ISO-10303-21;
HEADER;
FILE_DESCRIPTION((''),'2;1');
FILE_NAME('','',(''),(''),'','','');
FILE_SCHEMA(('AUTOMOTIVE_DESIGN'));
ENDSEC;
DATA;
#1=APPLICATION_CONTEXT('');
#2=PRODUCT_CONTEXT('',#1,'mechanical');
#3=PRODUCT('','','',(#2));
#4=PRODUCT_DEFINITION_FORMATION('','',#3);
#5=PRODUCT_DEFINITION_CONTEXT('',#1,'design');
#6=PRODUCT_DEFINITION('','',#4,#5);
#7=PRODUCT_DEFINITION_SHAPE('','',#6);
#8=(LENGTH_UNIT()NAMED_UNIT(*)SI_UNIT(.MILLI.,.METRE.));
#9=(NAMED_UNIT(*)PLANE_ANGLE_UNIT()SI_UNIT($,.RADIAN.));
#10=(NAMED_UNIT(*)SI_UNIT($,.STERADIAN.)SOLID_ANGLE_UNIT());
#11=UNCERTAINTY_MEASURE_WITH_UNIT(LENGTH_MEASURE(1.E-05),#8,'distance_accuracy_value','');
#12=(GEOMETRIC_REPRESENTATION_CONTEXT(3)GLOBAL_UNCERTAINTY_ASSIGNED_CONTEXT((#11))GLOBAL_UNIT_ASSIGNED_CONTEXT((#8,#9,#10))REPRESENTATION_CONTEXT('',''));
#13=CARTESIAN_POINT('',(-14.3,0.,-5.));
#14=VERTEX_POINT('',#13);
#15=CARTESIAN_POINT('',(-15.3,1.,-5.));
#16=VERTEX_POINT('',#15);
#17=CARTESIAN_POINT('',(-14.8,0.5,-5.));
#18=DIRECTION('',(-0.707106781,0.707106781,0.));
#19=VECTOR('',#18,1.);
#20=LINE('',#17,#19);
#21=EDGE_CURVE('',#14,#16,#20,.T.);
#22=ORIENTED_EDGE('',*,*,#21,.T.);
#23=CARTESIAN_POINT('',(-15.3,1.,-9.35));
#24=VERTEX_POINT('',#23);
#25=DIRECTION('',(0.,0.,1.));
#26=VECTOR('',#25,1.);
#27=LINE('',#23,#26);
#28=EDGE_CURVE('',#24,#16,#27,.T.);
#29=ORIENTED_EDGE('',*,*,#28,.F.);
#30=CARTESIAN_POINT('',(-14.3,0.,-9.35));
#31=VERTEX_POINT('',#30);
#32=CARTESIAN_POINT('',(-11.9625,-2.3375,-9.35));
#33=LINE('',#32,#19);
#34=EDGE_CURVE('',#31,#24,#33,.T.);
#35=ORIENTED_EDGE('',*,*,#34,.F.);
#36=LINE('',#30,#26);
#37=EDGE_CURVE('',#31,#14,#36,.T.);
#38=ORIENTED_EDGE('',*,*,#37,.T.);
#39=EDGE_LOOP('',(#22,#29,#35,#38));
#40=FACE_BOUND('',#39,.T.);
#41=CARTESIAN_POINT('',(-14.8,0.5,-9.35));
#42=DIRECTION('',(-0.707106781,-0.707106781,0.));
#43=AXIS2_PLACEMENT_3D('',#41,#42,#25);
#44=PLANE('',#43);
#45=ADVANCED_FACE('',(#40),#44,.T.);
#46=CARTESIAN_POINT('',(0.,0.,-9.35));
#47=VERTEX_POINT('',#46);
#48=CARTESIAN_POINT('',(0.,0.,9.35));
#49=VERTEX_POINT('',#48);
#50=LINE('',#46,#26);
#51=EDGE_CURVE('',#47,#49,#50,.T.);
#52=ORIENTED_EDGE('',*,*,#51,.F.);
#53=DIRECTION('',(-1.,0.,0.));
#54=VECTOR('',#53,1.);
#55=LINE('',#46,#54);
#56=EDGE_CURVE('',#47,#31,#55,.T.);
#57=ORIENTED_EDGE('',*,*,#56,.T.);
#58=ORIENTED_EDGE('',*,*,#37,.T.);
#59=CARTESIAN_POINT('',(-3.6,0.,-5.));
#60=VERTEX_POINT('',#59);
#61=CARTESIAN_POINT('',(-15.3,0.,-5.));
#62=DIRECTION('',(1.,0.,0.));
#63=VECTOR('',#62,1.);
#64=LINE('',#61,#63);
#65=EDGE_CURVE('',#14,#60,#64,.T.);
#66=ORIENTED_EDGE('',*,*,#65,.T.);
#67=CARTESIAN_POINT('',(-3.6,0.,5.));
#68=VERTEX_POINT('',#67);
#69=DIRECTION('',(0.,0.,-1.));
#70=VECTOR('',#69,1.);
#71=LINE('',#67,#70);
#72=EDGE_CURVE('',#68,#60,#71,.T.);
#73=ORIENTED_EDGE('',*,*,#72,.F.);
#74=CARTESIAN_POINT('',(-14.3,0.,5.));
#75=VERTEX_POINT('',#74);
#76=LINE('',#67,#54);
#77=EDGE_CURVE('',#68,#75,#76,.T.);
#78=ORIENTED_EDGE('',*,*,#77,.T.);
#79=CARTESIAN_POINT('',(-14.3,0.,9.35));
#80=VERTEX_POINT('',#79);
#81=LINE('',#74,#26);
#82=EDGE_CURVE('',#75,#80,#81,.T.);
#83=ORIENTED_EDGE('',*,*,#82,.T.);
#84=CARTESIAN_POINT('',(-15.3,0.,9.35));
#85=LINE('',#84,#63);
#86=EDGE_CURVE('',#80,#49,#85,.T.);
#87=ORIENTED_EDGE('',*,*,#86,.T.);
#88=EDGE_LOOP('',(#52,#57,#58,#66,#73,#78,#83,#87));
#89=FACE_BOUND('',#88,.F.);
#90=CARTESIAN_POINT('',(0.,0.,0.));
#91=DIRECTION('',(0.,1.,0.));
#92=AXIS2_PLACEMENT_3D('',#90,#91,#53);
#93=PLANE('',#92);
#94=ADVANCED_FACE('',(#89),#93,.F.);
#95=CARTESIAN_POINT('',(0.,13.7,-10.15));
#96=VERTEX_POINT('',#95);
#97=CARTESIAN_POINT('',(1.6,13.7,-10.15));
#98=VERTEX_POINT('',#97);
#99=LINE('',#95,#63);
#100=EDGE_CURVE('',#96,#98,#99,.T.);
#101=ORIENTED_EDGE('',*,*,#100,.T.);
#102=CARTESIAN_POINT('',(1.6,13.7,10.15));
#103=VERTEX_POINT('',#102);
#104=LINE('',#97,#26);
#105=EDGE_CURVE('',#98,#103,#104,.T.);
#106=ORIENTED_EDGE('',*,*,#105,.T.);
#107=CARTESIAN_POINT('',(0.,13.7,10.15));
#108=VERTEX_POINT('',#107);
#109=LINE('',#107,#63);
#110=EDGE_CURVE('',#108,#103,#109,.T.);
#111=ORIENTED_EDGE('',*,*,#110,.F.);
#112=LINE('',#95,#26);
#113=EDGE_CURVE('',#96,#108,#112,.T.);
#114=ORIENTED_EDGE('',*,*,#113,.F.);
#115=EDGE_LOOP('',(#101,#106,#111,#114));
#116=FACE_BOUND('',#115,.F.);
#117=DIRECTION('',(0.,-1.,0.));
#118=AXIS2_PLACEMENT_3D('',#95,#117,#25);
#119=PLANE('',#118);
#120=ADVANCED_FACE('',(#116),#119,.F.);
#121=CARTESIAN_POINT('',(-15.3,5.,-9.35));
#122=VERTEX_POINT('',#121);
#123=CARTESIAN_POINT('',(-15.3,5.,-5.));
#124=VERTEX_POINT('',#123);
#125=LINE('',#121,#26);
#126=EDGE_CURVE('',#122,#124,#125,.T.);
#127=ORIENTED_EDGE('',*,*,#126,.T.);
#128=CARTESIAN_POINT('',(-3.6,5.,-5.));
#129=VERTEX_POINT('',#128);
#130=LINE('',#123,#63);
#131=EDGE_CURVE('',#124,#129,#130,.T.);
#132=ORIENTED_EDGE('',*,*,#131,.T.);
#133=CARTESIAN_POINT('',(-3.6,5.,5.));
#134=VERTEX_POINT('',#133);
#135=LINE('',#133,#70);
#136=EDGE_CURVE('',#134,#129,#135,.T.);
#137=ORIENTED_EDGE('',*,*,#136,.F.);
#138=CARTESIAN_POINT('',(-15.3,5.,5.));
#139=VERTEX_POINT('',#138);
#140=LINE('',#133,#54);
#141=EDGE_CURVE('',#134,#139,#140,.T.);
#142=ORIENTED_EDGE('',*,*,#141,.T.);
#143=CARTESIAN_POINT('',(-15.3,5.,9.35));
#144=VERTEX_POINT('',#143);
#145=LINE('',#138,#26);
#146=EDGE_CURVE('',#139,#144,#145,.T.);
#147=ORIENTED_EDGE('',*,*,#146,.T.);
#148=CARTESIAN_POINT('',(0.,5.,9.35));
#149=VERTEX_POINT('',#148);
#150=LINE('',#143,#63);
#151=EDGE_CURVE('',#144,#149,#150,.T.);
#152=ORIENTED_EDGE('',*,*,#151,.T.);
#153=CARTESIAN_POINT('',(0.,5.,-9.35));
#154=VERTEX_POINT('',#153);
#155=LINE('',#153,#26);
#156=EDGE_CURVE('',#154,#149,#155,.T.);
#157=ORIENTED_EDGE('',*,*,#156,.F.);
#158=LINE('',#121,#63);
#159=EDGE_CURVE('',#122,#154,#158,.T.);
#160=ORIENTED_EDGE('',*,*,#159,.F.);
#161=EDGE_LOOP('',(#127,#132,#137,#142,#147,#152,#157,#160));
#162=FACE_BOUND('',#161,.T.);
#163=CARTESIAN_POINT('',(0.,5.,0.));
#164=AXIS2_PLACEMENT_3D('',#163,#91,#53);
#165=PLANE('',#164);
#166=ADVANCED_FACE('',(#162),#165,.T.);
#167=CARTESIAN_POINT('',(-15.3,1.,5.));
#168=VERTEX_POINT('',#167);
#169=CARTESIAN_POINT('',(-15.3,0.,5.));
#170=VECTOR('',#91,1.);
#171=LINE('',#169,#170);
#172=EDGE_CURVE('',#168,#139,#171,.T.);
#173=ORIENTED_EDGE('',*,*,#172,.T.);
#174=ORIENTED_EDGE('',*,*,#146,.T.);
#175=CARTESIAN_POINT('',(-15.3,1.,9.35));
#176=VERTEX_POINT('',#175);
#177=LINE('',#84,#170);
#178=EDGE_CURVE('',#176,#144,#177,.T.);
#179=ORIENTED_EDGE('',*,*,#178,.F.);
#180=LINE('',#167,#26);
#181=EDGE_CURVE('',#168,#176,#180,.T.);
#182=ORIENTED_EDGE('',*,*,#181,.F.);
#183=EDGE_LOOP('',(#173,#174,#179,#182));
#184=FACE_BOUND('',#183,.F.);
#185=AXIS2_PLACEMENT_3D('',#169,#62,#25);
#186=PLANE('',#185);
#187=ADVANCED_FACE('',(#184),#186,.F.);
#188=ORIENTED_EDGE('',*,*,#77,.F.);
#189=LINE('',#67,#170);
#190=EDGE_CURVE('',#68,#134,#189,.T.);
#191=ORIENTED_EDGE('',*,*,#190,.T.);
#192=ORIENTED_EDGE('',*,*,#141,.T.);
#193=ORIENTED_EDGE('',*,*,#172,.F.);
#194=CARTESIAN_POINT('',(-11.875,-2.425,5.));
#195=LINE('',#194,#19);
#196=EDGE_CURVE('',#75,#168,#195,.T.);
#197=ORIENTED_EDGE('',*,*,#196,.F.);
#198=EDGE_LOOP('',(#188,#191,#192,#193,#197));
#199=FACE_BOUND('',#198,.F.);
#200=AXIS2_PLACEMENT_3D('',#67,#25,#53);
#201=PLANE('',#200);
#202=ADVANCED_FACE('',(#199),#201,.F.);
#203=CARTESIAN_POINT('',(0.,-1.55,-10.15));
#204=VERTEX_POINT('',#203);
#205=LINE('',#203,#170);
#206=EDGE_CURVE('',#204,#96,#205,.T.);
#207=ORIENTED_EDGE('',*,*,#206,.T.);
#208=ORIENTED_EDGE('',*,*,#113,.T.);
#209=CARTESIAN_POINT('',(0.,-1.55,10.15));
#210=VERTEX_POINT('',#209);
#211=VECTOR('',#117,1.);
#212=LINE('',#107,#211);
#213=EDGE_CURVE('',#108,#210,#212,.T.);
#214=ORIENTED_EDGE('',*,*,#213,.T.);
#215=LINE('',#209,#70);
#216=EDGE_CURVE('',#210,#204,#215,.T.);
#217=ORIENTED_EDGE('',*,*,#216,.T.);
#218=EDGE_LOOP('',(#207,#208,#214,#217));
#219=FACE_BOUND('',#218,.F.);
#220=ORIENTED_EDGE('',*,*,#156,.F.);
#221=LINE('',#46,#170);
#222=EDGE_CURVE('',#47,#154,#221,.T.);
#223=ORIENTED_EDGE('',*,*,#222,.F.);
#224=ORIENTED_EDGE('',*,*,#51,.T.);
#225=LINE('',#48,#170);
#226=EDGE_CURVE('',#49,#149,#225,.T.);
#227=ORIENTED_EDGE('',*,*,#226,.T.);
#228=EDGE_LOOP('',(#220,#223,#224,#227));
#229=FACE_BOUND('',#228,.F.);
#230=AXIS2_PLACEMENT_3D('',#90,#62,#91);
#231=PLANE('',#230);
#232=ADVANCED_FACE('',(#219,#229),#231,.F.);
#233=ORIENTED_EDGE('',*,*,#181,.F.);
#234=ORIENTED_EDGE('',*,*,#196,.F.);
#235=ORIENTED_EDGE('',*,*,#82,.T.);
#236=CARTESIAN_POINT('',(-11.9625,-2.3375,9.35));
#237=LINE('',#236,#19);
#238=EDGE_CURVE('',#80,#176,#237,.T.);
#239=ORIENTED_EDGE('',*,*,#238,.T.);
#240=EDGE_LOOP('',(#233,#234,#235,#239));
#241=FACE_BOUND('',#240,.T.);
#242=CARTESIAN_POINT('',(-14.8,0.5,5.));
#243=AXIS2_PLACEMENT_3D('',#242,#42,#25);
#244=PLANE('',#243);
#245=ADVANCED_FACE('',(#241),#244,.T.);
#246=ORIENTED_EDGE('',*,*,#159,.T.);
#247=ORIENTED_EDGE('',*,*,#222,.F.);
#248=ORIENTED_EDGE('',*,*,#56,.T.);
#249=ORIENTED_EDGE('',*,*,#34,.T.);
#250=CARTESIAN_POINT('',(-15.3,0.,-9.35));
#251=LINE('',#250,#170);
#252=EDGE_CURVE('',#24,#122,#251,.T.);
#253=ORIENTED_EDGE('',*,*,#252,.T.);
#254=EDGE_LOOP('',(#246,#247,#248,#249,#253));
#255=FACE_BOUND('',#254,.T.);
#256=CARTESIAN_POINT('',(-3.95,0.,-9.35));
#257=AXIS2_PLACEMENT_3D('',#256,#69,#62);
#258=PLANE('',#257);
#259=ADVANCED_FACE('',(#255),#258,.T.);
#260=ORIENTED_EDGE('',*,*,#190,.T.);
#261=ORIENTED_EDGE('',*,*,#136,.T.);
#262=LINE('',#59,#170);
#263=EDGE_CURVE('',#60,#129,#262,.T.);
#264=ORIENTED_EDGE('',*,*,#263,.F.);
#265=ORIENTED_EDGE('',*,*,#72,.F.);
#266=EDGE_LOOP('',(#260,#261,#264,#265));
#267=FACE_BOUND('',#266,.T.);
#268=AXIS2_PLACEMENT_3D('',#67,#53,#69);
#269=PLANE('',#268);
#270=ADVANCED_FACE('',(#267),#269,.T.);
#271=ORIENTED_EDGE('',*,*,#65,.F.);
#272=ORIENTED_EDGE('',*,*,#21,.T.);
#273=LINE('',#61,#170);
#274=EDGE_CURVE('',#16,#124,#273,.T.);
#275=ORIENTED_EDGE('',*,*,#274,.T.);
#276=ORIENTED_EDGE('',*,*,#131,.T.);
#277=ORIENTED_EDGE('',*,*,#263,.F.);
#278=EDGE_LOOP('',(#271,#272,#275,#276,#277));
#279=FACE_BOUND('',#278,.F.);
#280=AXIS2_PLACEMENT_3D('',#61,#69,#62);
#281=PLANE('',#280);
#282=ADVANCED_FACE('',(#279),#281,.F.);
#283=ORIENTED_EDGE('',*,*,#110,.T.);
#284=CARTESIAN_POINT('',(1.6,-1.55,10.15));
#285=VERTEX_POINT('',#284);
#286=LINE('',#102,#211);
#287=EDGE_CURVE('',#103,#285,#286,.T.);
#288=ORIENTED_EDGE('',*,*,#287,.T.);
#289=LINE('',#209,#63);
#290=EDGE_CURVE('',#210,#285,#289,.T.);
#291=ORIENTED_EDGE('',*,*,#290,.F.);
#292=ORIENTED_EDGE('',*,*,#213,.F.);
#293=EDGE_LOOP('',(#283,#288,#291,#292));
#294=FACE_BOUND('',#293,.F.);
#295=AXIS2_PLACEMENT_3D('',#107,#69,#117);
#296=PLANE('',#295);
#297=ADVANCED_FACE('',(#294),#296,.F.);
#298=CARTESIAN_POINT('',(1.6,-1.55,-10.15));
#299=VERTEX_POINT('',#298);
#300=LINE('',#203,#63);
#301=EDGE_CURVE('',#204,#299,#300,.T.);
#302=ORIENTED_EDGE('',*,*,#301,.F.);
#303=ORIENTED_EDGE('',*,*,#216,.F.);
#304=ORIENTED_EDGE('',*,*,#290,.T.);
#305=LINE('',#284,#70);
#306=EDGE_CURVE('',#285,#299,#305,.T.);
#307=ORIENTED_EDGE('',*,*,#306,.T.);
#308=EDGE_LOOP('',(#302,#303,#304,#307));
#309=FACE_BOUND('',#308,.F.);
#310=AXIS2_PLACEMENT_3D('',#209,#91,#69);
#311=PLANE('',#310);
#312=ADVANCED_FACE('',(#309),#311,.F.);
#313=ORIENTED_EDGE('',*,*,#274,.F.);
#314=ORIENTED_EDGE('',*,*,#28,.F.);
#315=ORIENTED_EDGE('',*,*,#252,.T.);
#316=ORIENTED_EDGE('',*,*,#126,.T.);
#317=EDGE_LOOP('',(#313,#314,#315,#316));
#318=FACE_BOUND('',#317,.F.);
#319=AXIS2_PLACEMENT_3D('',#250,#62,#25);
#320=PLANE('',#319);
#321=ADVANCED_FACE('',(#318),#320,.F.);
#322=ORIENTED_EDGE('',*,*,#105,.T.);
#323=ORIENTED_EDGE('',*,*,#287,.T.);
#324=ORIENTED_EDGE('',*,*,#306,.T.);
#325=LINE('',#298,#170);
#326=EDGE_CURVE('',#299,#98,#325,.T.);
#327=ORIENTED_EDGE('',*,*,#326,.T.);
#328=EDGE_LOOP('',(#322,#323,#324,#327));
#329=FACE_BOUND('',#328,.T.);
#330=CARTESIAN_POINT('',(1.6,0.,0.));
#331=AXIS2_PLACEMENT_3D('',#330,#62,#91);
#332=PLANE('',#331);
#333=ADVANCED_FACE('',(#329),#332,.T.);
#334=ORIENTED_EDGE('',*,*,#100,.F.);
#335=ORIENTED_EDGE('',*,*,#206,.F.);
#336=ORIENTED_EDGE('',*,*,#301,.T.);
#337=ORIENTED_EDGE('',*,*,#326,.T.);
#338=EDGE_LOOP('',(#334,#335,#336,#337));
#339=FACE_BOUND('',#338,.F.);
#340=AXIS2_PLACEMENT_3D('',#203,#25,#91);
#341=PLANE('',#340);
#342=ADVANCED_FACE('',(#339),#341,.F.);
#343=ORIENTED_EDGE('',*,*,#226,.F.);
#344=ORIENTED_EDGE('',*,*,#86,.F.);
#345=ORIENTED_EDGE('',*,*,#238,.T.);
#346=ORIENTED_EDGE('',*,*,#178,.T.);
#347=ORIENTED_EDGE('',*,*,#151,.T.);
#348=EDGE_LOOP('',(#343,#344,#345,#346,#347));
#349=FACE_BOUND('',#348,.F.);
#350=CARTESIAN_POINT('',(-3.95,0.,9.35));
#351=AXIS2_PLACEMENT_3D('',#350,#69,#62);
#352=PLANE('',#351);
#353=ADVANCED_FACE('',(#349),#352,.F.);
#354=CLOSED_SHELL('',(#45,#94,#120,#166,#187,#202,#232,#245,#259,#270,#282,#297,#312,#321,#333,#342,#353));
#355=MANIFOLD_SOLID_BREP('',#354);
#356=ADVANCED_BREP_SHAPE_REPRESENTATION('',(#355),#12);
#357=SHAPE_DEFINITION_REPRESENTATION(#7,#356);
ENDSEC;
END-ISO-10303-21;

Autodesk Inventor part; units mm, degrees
ref_plane "YZ Plane" through (0, 0, 0) normal (1, 0, 0) x (0, 1, 0)
ref_plane "XZ Plane" through (0, 0, 0) normal (0, 1, 0) x (-1, 0, 0)
ref_plane "XY Plane" through (0, 0, 0) normal (0, 0, 1) x (1, 0, 0)
sketch "Skizze1" plane through (0, 0, 0) normal (0, 1, 0) x (-1, 0, 0)
  line L0 (0, 0) -> (13.65, 0) construction
  line L1 (15.3, 9.35) -> (0, 9.35)
  line L2 (3.6, 5) -> (15.3, 5)
  line L3 (15.3, 5) -> (15.3, 9.35)
  line L4 (0, 9.35) -> (3.95, 9.35)
  line L5 (3.6, 5) -> (3.6, -5)
  line L6 (3.95, -9.35) -> (0, -9.35)
  line L7 (0, -9.35) -> (0, 9.35)
  line L8 (0, -9.35) -> (15.3, -9.35)
  line L9 (15.3, -9.35) -> (15.3, -5)
  line L10 (15.3, -5) -> (3.6, -5)
  dimension "d0" = 18.7
  dimension "d1" = 10
  dimension "d2" = 15.3
  dimension "d3" = 3.6
extrude "Extrusion1" add sketch "Skizze1" along normal blind 5
sketch "Skizze3" plane through (0, 0, 0) normal (1, 0, 0) x (0, 1, 0)
  line L0 (0, 9.35) -> (0, -9.35) projected
  line L1 (0, -9.35) -> (5, -9.35) projected
  line L2 (5, 9.35) -> (5, -9.35) projected
  line L3 (0, 9.35) -> (5, 9.35) projected
  line L4 (13.7, 10.15) -> (-1.55, 10.15)
  line L5 (-1.55, 10.15) -> (-1.55, -10.15)
  line L6 (-1.55, -10.15) -> (13.7, -10.15)
  line L7 (13.7, -10.15) -> (13.7, 10.15)
  line L8 (0, 0) -> (5, 0) construction
  dimension "d6" = 15.25
  dimension "d7" = 20.3
  dimension "d8" = 8.7
  dimension "d9" = 1.55
extrude "Extrusion2" add sketch "Skizze3" along normal blind 1.6 contours L3 L2 L1 L0 | L7 L6 L5 L4
chamfer "Fase1" distance 1 angle 45 2 edges at (-15.3, 0, -7.175) (-15.3, 0, 7.175)
properties part number "SYS IR Sensor"
